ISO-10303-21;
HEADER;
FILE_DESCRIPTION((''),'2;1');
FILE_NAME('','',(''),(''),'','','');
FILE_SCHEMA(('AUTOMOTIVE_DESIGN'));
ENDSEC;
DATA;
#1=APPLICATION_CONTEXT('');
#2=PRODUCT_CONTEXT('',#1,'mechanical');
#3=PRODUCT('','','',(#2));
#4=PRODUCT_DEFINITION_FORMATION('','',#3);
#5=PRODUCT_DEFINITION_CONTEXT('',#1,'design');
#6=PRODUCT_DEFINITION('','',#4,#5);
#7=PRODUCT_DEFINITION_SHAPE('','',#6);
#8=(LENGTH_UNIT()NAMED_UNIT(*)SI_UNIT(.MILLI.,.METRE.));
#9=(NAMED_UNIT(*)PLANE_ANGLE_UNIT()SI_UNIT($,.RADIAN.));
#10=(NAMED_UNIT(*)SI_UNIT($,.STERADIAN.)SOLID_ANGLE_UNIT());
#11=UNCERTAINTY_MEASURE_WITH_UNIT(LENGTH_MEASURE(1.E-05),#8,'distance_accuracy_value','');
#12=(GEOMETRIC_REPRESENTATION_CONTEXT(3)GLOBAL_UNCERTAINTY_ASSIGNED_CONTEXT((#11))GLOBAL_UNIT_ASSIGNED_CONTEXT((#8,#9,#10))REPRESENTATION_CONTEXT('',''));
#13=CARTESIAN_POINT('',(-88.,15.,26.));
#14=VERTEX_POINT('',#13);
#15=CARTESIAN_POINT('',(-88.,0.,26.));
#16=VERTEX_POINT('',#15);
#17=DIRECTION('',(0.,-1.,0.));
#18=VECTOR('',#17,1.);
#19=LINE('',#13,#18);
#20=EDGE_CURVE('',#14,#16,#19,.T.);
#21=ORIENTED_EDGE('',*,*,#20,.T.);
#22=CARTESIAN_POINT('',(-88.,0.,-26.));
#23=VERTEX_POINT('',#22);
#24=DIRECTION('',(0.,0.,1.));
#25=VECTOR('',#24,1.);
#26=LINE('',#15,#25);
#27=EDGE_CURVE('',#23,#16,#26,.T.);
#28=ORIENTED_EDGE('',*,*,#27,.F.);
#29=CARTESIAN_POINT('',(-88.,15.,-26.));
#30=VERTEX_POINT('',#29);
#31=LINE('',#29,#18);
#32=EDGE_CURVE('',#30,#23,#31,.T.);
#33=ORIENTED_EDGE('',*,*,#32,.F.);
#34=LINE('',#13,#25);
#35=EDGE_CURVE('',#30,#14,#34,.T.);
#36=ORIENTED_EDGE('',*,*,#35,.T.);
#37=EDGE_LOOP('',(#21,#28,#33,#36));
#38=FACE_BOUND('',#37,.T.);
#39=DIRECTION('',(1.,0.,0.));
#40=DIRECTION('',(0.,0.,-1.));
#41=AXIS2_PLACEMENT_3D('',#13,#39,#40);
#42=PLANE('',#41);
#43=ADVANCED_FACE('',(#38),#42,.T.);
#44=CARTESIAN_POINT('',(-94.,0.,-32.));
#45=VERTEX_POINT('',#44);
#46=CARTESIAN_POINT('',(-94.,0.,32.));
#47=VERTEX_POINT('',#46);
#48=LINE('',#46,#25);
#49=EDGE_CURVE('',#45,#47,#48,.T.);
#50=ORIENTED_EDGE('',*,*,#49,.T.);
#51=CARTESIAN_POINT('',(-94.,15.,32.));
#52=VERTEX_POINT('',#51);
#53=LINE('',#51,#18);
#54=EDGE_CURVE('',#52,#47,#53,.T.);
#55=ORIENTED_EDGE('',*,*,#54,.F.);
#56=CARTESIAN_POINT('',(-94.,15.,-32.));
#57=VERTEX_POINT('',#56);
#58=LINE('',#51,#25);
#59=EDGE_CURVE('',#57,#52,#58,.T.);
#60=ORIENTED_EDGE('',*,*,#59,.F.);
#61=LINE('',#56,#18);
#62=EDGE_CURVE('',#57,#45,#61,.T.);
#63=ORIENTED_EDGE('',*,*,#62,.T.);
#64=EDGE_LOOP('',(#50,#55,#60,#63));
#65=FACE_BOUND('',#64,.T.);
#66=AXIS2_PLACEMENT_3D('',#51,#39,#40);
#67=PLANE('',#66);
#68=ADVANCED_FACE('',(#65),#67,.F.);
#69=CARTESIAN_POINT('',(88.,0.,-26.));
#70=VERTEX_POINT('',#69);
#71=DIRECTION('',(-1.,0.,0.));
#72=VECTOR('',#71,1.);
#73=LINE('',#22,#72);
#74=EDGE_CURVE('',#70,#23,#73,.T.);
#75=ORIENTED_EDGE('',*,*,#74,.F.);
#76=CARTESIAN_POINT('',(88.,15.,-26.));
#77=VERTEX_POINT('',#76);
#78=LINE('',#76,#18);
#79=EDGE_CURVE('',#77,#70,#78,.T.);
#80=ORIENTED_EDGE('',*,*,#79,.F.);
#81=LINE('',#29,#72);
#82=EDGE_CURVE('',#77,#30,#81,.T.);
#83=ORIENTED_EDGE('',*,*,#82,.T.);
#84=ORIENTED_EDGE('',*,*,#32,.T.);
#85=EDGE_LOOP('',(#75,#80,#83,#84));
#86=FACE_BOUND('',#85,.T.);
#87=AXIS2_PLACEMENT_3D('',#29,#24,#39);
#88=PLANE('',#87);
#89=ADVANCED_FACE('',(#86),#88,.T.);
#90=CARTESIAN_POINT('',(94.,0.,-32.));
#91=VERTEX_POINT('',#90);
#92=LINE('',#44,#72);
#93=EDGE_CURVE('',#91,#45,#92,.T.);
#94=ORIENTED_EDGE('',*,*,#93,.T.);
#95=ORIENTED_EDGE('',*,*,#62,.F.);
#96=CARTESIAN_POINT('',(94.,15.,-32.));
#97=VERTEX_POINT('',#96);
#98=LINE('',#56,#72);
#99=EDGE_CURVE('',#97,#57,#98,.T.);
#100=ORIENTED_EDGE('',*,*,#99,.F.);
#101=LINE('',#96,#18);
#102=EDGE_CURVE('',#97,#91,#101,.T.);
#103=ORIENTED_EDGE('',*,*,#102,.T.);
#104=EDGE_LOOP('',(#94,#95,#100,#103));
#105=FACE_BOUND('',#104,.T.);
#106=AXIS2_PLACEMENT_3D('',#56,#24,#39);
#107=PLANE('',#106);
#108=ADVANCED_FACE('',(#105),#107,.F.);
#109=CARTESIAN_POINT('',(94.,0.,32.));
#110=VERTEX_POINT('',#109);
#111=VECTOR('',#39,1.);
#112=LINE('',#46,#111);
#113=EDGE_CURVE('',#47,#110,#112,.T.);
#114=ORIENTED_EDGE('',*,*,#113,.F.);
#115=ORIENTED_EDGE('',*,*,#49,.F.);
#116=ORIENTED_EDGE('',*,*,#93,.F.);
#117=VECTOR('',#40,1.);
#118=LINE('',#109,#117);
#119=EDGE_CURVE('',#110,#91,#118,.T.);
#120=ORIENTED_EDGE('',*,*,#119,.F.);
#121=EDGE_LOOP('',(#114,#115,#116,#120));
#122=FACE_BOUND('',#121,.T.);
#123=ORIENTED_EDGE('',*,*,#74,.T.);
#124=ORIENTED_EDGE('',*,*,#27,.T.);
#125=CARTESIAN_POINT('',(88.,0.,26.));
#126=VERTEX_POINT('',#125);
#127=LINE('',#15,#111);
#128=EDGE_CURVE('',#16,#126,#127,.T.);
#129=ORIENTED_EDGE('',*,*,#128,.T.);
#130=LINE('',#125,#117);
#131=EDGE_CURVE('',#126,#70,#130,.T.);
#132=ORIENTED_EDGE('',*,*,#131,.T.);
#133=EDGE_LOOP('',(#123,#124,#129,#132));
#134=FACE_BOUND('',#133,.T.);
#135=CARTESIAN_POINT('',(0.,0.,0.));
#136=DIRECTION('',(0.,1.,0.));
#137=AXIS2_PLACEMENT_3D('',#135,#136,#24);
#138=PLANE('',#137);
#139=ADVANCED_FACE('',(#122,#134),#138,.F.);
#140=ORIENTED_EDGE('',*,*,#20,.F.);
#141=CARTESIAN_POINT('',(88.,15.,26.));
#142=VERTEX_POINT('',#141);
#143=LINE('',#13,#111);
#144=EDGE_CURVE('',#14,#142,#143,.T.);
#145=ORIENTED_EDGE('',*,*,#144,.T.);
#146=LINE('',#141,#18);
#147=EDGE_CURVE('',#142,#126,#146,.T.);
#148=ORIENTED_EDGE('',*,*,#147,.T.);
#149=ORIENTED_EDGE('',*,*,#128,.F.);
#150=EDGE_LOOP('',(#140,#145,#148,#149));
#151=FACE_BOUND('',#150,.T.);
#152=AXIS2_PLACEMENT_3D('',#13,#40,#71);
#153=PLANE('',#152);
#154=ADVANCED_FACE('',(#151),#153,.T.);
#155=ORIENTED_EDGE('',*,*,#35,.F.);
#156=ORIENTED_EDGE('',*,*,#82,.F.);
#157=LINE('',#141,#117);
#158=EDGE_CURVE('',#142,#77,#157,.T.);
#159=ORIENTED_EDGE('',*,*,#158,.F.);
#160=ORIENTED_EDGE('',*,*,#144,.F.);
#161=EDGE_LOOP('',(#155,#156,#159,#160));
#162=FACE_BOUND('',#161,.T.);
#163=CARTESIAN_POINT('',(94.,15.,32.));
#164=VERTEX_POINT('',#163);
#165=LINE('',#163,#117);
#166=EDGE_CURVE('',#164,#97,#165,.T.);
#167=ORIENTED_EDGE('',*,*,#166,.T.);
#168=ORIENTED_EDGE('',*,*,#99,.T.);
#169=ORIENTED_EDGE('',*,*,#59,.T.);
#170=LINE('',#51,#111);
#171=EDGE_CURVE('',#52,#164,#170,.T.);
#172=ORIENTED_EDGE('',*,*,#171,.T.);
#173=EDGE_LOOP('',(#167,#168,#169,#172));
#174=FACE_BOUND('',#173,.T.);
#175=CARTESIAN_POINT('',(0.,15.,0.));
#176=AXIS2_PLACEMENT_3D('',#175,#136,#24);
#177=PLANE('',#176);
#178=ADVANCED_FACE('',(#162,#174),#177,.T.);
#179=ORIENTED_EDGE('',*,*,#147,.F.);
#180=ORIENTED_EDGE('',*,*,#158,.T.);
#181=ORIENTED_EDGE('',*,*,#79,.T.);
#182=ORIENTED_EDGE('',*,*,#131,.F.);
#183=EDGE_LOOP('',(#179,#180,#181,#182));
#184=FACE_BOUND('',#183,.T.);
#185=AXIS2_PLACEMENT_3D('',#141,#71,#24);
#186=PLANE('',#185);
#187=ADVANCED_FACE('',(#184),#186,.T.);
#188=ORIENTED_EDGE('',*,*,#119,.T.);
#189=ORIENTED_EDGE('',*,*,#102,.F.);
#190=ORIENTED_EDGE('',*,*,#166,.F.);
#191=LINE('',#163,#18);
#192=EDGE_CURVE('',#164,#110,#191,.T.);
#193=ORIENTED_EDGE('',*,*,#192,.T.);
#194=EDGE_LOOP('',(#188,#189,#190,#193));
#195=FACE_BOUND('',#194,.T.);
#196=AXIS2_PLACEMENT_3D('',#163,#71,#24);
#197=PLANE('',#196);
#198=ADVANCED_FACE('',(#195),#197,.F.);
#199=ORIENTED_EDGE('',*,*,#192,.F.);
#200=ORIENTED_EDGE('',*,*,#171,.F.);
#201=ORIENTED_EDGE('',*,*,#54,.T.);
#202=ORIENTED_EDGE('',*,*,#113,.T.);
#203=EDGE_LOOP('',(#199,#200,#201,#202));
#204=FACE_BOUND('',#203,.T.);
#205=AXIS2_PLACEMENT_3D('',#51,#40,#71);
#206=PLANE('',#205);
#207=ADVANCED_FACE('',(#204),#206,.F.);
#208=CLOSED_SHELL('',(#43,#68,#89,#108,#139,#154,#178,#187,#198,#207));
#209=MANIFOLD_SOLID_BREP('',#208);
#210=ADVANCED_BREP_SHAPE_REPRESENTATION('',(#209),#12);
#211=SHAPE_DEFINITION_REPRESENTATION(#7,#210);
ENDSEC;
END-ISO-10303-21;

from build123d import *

# Parameters (mm, degrees)
SKETCH1_W           = 188
SKETCH1_H           = 64
SKETCH1_W_2         = 176
SKETCH1_H_2         = 52
BOSS_EXTRUDE1_DEPTH = 15


with BuildPart() as part:
    # Sketch1 → Boss-Extrude1 (new body)
    with BuildSketch(Plane(origin=(0, 0, 0), x_dir=(1, 0, 0), z_dir=(0, 1, 0))):
        Rectangle(SKETCH1_W, SKETCH1_H)
        Rectangle(SKETCH1_W_2, SKETCH1_H_2, mode=Mode.SUBTRACT)
    extrude(amount=BOSS_EXTRUDE1_DEPTH)


solid = part.part
